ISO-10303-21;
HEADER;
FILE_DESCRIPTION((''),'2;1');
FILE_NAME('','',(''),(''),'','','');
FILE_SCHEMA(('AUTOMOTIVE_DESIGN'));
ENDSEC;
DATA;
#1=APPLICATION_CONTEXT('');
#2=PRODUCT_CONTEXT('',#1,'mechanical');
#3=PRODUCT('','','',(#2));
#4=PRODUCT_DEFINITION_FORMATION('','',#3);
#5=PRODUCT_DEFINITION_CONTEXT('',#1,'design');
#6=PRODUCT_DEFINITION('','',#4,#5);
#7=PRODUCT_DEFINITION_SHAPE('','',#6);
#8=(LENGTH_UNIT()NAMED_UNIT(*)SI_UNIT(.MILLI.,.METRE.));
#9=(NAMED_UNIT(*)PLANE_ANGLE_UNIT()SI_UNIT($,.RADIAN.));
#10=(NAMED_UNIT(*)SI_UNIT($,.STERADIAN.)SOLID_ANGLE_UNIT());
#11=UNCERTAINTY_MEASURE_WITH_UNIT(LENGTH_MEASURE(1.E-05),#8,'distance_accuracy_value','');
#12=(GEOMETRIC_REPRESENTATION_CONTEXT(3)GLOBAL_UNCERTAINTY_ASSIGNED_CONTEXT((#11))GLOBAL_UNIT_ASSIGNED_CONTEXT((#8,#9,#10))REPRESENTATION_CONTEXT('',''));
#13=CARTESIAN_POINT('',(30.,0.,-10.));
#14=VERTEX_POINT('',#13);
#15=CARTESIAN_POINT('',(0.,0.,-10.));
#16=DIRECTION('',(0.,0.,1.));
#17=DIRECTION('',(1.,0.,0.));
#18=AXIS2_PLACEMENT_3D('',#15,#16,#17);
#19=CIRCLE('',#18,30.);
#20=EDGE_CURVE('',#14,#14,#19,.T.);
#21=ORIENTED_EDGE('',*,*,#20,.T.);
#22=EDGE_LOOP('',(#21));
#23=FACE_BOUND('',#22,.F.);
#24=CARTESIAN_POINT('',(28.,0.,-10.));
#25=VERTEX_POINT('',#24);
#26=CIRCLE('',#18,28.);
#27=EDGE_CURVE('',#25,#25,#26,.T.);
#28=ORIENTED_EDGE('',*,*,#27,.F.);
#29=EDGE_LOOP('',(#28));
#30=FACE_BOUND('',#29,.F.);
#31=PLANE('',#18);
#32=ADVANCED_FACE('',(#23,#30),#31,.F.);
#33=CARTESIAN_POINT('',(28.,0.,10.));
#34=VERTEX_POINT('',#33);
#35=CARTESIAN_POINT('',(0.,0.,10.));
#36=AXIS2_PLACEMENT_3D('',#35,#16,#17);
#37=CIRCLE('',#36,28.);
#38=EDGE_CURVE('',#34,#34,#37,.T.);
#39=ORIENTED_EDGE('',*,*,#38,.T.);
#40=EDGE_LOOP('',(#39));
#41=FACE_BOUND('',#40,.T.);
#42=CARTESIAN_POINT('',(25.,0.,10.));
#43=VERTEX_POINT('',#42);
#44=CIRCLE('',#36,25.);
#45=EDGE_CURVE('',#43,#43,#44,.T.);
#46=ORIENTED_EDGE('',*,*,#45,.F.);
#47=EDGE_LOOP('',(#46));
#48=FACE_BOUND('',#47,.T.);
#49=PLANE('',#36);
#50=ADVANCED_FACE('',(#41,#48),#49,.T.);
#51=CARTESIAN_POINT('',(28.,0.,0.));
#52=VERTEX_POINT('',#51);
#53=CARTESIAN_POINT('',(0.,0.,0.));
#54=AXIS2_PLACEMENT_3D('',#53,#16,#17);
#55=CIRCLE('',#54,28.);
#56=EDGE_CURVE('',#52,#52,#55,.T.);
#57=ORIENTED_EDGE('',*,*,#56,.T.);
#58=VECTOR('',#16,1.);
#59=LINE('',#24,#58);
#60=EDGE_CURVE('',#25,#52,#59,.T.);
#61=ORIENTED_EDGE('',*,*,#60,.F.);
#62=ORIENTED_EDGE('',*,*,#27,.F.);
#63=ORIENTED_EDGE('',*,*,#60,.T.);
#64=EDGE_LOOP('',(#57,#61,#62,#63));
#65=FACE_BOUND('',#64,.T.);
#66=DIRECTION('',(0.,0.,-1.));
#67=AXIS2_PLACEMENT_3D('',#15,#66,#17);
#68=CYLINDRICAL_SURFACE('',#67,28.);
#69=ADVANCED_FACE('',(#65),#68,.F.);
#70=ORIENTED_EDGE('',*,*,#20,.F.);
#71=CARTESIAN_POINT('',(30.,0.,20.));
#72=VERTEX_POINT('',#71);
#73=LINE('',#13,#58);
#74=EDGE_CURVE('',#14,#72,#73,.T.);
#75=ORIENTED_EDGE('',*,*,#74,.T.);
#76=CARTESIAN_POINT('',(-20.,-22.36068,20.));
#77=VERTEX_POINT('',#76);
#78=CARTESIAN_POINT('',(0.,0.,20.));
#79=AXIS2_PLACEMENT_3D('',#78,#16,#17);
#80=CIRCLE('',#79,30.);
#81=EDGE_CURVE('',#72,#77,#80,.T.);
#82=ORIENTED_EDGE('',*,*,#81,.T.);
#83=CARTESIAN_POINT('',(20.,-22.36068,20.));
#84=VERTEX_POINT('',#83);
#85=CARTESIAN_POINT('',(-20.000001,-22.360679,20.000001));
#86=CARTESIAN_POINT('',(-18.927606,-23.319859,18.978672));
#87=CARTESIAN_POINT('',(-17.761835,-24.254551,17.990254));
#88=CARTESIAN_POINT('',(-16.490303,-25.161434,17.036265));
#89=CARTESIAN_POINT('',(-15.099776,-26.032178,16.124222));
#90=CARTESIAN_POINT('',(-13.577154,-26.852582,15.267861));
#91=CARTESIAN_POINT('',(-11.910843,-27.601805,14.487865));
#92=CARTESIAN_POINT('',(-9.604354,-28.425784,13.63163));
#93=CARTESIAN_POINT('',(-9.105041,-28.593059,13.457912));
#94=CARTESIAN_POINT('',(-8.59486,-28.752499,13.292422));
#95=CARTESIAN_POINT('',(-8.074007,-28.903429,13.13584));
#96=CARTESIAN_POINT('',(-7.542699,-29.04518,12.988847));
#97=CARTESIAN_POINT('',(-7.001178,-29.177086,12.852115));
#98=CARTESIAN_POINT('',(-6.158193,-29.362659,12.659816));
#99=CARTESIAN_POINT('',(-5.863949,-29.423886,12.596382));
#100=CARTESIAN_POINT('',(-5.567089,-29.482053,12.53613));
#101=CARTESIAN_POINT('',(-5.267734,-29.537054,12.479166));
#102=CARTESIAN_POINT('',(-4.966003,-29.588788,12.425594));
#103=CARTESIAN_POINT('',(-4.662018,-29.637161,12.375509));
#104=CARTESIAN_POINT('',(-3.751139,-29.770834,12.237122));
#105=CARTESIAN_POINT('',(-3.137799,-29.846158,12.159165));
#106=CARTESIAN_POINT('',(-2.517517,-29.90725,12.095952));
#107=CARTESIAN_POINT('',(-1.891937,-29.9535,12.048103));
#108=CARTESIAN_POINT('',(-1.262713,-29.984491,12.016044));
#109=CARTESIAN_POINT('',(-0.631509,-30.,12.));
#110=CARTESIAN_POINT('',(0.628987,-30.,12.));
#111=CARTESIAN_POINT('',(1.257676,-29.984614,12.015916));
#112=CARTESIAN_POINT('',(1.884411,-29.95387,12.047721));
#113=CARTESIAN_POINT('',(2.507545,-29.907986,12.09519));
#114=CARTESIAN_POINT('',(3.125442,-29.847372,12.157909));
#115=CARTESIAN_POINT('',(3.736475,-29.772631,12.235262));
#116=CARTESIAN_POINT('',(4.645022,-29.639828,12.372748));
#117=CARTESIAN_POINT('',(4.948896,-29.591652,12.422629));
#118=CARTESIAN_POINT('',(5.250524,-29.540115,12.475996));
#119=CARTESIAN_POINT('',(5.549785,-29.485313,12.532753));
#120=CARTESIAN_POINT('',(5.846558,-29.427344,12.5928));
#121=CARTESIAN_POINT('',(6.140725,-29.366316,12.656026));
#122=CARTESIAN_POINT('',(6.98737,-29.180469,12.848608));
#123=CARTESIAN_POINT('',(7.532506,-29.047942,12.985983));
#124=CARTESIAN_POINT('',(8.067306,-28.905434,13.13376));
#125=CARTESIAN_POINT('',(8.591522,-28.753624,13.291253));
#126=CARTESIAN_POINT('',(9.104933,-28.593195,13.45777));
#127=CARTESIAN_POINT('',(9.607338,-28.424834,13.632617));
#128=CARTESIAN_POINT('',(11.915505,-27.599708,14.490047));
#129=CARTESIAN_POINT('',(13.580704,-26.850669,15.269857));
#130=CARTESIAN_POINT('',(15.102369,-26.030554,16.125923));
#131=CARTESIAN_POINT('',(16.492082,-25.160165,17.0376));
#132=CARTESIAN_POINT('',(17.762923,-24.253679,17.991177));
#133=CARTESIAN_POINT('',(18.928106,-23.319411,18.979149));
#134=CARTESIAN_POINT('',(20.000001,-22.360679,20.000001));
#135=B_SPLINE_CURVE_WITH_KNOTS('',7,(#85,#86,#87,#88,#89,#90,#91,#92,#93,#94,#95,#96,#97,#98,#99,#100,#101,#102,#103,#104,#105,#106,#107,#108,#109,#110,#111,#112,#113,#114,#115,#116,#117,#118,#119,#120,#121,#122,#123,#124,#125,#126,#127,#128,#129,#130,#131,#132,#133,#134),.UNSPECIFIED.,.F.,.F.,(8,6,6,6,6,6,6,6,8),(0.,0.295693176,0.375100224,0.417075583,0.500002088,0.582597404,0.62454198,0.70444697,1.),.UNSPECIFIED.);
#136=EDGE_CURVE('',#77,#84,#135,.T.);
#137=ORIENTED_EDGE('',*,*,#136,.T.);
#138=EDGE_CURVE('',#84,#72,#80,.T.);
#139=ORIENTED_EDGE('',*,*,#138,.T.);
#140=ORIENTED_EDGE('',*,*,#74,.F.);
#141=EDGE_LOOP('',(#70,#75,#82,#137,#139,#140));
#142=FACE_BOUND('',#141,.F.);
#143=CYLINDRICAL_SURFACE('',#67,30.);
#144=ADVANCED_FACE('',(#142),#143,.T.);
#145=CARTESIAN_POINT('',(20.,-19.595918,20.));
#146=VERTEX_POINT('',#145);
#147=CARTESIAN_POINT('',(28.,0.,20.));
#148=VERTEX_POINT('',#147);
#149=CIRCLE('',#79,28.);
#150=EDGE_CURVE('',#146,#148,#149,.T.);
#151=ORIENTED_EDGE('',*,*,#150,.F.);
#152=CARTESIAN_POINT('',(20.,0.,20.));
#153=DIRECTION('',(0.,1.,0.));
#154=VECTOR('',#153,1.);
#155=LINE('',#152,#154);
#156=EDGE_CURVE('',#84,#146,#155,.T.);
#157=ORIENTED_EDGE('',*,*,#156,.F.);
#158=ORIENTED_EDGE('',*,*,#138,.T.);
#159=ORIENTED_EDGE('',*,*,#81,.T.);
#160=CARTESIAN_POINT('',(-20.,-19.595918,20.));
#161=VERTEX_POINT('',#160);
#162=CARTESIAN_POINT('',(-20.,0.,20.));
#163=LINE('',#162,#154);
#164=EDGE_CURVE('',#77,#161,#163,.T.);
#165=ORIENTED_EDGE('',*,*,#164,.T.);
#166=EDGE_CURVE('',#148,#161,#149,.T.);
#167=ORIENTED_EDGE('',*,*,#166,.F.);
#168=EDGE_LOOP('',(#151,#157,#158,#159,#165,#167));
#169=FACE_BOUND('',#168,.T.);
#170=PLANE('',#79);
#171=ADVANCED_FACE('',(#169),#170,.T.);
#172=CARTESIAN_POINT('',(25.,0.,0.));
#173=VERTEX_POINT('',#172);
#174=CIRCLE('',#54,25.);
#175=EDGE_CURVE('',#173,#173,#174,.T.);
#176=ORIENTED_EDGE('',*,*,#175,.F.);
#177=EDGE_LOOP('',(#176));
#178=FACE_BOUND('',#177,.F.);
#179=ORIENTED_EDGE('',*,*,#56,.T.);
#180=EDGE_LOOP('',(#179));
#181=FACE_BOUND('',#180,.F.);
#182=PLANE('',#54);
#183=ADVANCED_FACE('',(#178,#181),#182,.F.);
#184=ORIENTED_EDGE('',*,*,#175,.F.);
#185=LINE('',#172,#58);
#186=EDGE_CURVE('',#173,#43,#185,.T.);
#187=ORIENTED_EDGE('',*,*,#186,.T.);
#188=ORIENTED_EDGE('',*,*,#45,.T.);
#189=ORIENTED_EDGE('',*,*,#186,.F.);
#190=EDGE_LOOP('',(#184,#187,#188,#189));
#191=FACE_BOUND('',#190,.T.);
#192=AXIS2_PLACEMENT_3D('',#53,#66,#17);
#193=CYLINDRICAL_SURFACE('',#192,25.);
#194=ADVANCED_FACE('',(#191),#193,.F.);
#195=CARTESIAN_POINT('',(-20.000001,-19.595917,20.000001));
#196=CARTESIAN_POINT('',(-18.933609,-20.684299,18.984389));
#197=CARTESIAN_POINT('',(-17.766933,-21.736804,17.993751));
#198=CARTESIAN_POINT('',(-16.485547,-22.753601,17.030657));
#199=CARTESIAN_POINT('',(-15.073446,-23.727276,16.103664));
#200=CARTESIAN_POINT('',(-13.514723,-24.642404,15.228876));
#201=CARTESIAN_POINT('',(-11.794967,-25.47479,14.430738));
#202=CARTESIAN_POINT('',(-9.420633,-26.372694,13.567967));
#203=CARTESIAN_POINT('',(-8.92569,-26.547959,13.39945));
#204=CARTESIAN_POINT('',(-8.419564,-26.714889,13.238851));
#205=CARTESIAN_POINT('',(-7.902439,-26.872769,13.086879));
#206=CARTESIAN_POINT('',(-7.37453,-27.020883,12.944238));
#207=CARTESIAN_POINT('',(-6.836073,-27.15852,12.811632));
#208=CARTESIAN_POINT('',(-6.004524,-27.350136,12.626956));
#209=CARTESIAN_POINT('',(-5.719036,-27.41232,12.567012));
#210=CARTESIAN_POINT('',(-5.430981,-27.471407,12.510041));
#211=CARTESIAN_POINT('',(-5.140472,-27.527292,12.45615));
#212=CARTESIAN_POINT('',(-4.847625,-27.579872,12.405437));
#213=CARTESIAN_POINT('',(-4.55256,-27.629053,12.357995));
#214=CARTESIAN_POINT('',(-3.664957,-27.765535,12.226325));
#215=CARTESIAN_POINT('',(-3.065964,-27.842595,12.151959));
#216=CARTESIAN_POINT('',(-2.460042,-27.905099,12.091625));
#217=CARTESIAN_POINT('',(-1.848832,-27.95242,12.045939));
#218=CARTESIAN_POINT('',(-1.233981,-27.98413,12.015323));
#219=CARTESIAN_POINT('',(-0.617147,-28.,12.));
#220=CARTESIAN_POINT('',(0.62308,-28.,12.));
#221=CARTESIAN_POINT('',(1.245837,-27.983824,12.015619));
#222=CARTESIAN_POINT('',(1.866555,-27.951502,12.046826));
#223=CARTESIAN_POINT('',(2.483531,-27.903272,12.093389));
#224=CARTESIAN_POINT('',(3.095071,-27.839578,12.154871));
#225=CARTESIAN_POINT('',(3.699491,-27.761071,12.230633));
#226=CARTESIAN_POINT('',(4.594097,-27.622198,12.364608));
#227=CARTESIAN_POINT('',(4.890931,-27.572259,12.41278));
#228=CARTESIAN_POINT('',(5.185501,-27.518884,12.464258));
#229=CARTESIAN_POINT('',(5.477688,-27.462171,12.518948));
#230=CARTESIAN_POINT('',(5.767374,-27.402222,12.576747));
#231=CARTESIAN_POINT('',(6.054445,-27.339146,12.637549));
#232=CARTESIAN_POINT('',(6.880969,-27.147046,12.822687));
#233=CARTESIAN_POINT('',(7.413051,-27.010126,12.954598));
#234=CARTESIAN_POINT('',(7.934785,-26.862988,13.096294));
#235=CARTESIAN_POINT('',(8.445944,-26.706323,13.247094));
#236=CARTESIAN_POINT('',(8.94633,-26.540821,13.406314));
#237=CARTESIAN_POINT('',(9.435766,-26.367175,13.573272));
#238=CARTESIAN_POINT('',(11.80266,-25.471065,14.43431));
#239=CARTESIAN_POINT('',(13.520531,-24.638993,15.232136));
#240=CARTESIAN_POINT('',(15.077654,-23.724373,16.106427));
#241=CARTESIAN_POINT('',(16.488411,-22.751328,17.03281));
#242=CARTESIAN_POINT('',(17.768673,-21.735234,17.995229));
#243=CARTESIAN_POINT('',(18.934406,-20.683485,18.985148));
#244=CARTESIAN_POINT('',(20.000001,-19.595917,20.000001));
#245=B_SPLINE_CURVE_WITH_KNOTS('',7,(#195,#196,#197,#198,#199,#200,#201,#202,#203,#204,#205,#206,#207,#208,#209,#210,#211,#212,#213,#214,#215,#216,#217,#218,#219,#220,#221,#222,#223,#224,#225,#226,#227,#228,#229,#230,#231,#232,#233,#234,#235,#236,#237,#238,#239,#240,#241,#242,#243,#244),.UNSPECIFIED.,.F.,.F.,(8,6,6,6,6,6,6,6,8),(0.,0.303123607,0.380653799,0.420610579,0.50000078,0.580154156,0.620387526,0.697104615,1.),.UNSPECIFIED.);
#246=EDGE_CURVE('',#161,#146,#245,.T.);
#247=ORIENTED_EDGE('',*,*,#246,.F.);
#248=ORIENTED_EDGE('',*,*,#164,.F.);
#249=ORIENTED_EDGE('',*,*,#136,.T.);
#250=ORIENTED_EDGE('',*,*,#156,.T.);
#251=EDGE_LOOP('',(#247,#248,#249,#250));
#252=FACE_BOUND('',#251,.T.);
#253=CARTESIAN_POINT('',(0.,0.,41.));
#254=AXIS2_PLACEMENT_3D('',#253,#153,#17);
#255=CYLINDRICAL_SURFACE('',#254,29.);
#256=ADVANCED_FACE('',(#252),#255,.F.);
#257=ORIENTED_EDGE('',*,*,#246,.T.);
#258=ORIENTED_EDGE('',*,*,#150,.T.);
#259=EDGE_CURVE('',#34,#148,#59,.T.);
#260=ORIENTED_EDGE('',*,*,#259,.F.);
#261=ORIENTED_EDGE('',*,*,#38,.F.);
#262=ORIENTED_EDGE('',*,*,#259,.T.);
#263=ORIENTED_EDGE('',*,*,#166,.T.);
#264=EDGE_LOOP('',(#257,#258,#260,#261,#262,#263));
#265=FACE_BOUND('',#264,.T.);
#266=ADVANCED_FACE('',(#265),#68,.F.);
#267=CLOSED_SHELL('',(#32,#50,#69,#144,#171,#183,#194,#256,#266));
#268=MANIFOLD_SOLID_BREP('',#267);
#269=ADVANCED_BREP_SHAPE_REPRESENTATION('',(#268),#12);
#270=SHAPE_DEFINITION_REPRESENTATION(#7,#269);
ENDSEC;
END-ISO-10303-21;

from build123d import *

# Parameters (mm, degrees)
CYLINDER099_R     = 29
CYLINDER099_DEPTH = 46
CYLINDER097_R     = 28
CYLINDER097_DEPTH = 30
CYLINDER098_R     = 30
CYLINDER098_DEPTH = 30
CYLINDER095_R     = 25
CYLINDER095_DEPTH = 10
CYLINDER096_R     = 28
CYLINDER096_DEPTH = 10


with BuildPart() as cylinder099:
    # Cylinder099 → Cylinder099 (new body)
    with BuildSketch(Plane(origin=(0, 0, 41), x_dir=(1, 0, 0), z_dir=(0, -1, 0))):
        Circle(CYLINDER099_R)
    extrude(amount=CYLINDER099_DEPTH)


with BuildPart() as cylinder097:
    # Cylinder097 → Cylinder097 (new body)
    with BuildSketch(Plane.XY.offset(-10)):
        Circle(CYLINDER097_R)
    extrude(amount=CYLINDER097_DEPTH)


with BuildPart() as cut103:
    # Cylinder098 → Cylinder098 (new body)
    with BuildSketch(Plane.XY.offset(-10)):
        Circle(CYLINDER098_R)
    extrude(amount=CYLINDER098_DEPTH)

    # Cut103: cut Cylinder097
    add(cylinder097.part, mode=Mode.SUBTRACT)


with BuildPart() as cylinder095:
    # Cylinder095 → Cylinder095 (new body)
    with BuildSketch(Plane.XY):
        Circle(CYLINDER095_R)
    extrude(amount=CYLINDER095_DEPTH)


with BuildPart() as cut104:
    # Cylinder096 → Cylinder096 (new body)
    with BuildSketch(Plane.XY):
        Circle(CYLINDER096_R)
    extrude(amount=CYLINDER096_DEPTH)

    # Cut102: cut Cylinder095
    add(cylinder095.part, mode=Mode.SUBTRACT)

    # Fusion029: union Cut103
    add(cut103.part)

    # Cut104: cut Cylinder099
    add(cylinder099.part, mode=Mode.SUBTRACT)


solid = cut104.part
